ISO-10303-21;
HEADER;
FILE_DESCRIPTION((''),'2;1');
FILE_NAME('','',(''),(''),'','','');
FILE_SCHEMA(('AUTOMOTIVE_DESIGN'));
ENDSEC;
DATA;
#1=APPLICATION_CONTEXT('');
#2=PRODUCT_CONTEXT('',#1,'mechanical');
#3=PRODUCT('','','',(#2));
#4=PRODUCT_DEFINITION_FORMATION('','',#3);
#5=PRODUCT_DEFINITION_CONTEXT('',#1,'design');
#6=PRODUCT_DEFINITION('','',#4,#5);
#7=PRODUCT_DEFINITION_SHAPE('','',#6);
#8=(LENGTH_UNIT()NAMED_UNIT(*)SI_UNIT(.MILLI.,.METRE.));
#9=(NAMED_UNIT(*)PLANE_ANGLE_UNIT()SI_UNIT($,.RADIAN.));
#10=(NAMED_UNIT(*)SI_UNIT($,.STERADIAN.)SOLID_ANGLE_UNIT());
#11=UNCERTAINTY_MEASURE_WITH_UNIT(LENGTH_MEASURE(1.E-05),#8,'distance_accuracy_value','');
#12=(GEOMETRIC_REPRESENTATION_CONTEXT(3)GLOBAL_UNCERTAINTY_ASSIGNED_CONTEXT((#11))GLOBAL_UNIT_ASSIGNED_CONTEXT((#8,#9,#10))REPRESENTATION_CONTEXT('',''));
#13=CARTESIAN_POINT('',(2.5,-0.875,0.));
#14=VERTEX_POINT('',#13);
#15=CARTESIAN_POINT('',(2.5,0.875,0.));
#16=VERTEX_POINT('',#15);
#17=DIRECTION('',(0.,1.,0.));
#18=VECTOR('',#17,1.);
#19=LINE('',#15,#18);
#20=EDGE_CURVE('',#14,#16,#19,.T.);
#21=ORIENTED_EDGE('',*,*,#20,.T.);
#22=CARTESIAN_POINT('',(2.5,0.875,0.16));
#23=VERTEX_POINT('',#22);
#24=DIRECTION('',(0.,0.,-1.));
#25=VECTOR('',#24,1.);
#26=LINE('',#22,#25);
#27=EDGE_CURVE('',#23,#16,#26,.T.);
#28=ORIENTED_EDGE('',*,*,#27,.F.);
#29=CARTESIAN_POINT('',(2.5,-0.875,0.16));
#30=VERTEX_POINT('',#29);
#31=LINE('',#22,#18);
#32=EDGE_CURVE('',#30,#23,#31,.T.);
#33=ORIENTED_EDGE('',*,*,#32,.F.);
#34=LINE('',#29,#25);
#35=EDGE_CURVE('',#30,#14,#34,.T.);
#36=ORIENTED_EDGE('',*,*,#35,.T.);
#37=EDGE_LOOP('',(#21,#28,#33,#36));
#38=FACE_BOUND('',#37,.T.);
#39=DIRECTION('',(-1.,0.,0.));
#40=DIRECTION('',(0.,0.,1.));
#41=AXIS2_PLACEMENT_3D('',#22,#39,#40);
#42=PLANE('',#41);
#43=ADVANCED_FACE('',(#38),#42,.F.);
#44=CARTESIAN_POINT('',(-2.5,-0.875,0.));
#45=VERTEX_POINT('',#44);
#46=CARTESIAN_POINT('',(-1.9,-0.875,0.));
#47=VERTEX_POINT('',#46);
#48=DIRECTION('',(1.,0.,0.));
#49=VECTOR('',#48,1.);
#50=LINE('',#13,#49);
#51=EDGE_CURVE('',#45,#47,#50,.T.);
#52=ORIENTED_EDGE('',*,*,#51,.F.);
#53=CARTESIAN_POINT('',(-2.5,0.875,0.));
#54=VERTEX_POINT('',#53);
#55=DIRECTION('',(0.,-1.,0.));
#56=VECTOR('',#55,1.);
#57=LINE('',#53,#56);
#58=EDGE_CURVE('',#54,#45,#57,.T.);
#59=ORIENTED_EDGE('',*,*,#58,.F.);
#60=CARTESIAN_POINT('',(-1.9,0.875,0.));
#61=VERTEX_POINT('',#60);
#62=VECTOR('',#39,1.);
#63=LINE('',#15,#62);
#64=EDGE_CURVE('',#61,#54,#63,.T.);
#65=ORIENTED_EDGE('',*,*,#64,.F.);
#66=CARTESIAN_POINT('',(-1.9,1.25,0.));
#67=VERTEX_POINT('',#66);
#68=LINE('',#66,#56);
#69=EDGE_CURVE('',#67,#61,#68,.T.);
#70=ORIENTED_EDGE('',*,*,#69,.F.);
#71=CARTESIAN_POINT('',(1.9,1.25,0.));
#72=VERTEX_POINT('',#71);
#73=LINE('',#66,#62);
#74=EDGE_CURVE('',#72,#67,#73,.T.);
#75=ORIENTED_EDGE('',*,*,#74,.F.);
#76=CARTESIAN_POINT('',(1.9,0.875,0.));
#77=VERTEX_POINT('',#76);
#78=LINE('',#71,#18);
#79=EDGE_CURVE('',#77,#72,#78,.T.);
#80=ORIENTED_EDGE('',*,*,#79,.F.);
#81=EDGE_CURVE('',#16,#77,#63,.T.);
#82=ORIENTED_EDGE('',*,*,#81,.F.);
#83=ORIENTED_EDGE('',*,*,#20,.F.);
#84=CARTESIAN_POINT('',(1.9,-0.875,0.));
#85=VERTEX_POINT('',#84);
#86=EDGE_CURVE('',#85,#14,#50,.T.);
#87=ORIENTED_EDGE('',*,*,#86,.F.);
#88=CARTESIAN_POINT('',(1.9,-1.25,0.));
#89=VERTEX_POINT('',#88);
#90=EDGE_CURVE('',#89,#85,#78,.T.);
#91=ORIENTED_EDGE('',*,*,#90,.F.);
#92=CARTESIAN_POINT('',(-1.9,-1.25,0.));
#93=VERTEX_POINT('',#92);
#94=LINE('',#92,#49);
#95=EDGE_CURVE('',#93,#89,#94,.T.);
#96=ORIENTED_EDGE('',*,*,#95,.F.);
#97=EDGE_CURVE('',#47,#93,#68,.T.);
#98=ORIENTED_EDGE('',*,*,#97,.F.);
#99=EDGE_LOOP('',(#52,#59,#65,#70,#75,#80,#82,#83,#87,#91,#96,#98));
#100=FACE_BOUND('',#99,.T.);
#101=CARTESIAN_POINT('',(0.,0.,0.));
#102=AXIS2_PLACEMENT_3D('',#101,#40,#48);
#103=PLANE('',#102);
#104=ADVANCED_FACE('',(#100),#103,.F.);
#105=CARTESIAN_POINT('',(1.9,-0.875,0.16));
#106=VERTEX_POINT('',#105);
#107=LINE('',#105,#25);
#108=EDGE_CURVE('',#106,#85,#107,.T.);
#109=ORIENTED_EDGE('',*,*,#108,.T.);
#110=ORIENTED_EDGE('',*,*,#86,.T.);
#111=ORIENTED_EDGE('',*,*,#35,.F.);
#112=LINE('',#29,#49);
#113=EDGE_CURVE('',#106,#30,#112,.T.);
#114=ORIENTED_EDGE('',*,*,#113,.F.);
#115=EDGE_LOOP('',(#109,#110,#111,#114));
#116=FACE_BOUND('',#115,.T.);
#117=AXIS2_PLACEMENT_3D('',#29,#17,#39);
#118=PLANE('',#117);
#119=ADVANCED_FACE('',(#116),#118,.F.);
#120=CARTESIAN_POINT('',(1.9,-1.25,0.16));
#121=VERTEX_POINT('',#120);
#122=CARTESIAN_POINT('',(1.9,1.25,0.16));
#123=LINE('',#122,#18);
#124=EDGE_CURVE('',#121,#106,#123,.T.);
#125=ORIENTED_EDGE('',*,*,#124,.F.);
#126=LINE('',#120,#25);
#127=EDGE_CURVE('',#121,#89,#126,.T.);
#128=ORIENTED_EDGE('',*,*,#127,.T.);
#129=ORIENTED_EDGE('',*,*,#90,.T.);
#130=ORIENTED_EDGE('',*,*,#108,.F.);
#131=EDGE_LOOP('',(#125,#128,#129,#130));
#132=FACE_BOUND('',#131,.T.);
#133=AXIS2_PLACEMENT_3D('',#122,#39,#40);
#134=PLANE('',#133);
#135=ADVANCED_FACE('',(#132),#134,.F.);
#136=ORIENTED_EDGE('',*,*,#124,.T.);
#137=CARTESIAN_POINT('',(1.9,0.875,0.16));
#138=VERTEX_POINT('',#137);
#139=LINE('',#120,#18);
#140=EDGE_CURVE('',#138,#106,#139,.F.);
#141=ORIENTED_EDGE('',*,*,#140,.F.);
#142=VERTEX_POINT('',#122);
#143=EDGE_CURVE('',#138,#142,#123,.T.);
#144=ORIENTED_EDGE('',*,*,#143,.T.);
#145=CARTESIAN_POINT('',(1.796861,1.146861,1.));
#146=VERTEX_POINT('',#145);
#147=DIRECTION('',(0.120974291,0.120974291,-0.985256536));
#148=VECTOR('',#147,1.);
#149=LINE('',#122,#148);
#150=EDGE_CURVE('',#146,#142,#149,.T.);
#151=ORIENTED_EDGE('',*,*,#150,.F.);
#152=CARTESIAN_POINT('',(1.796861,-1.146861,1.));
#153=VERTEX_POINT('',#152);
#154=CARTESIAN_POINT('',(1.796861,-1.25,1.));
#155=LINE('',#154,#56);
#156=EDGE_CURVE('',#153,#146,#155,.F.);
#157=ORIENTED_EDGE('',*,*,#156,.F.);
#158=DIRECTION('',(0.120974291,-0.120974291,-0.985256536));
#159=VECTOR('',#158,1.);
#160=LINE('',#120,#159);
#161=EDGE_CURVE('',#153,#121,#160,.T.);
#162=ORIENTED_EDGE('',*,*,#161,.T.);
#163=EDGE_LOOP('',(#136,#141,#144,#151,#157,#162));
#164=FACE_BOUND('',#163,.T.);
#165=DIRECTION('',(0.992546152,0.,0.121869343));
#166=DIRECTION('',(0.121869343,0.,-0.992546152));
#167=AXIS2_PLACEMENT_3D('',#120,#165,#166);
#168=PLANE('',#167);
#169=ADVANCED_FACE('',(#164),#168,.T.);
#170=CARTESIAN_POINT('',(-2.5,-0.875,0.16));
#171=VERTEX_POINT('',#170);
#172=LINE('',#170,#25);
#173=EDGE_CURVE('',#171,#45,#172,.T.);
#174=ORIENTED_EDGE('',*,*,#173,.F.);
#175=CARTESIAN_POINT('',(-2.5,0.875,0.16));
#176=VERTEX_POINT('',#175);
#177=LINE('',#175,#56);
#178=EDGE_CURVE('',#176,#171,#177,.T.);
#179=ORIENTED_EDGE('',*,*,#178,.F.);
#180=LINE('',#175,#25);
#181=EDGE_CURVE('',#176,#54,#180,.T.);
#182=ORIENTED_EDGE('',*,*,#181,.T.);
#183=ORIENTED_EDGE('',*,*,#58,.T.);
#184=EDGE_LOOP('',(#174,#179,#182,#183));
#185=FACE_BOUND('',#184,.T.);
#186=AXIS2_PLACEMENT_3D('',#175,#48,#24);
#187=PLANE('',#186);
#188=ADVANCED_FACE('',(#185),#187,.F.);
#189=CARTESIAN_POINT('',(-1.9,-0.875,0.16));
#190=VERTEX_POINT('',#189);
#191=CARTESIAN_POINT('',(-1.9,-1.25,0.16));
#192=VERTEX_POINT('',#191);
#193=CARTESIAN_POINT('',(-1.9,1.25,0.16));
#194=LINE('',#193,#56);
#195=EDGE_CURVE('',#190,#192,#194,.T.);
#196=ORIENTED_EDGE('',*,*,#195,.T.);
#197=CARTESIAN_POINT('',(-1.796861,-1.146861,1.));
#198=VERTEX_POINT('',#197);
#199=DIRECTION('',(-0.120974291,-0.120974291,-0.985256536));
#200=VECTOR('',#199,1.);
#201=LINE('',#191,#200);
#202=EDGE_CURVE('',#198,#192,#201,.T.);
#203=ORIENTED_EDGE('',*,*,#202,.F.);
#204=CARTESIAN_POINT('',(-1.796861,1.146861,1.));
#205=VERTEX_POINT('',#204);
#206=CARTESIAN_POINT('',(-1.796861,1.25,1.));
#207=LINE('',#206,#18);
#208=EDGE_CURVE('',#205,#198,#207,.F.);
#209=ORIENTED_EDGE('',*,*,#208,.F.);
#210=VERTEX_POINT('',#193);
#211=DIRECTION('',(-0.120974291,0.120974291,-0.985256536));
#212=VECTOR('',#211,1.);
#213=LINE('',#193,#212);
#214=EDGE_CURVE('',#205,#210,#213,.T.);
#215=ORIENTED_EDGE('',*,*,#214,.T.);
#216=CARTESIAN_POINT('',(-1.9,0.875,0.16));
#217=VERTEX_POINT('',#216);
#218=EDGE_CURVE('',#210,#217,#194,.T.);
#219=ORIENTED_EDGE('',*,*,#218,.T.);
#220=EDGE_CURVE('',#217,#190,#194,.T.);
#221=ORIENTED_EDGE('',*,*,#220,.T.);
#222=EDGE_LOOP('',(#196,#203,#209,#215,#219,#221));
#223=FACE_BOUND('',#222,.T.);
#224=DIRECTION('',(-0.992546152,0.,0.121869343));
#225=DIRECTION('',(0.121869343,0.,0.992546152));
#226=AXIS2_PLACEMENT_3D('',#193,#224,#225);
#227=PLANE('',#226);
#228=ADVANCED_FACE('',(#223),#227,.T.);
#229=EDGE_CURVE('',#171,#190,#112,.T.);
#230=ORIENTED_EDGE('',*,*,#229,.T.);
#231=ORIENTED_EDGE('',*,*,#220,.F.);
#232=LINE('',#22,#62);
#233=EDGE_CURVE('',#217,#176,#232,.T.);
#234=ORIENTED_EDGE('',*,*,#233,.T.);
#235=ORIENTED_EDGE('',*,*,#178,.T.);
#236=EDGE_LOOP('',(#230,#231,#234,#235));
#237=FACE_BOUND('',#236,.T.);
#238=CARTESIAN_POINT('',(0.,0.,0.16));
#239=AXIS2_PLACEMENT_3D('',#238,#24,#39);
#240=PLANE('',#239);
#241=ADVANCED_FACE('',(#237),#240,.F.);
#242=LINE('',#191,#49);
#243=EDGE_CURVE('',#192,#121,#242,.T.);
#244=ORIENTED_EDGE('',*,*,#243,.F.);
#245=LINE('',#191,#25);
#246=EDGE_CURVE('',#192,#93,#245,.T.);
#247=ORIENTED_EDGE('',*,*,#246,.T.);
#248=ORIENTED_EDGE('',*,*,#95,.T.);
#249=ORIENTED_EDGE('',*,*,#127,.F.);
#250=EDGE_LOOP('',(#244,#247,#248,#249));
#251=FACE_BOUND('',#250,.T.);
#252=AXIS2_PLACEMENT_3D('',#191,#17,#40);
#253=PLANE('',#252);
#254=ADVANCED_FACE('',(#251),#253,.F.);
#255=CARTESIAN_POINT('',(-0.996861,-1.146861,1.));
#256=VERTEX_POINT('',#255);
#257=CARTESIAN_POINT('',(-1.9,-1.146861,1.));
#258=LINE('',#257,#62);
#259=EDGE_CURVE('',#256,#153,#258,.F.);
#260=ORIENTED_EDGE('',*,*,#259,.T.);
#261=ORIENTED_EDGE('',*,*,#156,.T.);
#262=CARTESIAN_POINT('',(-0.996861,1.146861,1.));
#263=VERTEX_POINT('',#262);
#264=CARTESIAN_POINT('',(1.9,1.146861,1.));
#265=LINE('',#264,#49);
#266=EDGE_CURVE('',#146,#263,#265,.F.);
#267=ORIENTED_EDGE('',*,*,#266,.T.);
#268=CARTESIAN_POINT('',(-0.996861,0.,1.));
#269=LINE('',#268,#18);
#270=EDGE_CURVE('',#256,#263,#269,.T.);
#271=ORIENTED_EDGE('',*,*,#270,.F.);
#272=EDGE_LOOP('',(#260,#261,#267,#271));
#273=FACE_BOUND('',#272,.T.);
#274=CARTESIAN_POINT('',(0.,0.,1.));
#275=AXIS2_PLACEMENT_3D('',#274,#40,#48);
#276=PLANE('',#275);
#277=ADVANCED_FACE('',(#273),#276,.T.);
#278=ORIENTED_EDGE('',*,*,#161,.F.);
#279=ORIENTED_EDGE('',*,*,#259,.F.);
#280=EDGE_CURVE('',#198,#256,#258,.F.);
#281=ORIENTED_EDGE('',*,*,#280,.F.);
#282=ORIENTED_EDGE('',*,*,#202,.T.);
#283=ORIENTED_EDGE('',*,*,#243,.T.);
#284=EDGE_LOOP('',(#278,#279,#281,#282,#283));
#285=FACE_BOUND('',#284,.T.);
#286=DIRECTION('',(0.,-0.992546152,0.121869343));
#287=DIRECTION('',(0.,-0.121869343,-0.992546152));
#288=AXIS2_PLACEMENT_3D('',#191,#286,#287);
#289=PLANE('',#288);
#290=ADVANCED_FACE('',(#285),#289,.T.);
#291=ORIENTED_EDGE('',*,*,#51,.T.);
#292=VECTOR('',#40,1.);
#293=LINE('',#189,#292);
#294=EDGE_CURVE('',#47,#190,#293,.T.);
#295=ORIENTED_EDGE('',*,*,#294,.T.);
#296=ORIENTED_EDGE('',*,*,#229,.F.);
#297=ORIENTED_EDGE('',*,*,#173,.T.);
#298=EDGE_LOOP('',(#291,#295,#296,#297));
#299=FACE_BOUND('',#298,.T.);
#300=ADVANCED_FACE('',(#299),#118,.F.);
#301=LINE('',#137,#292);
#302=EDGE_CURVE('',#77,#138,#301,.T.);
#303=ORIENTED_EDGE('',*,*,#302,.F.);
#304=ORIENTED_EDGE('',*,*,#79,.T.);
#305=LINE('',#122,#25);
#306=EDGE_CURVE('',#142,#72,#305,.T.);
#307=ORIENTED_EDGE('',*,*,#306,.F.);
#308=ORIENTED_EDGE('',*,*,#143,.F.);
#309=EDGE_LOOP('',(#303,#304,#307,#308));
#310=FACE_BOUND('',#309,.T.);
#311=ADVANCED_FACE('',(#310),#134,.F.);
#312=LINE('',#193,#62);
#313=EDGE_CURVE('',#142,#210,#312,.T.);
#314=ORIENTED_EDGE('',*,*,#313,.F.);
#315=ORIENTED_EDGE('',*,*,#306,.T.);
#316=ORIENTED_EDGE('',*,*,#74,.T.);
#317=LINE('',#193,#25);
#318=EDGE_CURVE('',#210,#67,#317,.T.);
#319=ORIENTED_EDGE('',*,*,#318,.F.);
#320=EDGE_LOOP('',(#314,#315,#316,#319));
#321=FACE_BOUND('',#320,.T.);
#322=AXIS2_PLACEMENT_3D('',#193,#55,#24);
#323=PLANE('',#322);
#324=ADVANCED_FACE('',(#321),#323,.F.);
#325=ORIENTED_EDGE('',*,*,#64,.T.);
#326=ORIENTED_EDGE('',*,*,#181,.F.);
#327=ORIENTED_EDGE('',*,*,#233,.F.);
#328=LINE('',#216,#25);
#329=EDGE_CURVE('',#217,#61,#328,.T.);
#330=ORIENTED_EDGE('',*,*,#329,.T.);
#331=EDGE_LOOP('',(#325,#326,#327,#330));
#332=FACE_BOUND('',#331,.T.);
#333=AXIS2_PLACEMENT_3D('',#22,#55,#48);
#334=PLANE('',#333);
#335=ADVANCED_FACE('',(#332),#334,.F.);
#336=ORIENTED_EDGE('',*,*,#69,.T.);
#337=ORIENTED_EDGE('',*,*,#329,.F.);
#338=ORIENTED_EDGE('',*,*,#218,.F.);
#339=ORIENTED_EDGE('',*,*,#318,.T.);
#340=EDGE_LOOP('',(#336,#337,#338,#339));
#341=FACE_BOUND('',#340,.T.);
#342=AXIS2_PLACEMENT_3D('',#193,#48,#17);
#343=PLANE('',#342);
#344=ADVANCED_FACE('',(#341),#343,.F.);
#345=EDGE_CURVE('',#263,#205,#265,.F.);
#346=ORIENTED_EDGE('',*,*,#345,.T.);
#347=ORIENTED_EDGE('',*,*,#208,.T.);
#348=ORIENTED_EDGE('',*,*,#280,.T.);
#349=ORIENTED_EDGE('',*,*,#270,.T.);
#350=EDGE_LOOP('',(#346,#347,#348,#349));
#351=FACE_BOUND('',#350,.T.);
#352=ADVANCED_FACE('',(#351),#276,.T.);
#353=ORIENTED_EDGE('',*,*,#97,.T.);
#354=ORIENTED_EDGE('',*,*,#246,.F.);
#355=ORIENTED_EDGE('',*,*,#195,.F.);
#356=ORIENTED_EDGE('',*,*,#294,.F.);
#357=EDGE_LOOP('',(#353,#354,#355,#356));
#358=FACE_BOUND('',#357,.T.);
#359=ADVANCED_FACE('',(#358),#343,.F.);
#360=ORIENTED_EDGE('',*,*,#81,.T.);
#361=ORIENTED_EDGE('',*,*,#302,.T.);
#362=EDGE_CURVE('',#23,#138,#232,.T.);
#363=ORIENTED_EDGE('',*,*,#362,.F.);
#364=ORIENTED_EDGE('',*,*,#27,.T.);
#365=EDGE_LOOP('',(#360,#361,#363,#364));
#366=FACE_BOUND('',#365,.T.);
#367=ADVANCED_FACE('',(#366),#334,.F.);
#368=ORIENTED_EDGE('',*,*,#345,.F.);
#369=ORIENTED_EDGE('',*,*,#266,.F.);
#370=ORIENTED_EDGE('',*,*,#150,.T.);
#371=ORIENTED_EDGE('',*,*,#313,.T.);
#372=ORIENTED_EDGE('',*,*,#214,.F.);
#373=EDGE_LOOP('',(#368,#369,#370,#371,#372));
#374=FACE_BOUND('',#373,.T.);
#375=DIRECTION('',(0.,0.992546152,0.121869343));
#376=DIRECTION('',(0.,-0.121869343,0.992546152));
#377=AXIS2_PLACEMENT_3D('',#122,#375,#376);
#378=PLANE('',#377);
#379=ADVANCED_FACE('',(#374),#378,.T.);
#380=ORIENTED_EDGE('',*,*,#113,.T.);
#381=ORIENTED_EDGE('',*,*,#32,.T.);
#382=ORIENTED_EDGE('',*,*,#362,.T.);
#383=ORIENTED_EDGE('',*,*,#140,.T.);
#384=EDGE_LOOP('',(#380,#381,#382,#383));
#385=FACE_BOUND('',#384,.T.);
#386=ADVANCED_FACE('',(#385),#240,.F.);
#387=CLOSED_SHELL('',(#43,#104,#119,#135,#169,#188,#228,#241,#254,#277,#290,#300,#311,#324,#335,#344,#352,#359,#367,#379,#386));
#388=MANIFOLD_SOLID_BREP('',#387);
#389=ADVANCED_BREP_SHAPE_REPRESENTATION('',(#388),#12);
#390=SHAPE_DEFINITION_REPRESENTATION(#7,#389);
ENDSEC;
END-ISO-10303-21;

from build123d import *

# Parameters (mm, degrees)
ESQUISSE1_W     = 3.8
ESQUISSE1_H     = 2.5
CASE_BASE_DEPTH = 0.16
ESQUISSE2_W     = 3.8
ESQUISSE2_H     = 2.5
CASE_TOP_DEPTH  = 0.84
CASE_TOP_TAPER  = 7
ESQUISSE3_W     = 5
ESQUISSE3_H     = 1.75
PINS_DEPTH      = 0.16


with BuildPart() as part:
    # Esquisse1 → case base (new body)
    with BuildSketch(Plane.XY):
        Rectangle(ESQUISSE1_W, ESQUISSE1_H)
    extrude(amount=CASE_BASE_DEPTH)

    # Esquisse2 → case top (add)
    with BuildSketch(Plane.XY.offset(0.16)):
        Rectangle(ESQUISSE2_W, ESQUISSE2_H)
    extrude(amount=CASE_TOP_DEPTH, taper=CASE_TOP_TAPER)

    # Esquisse3 → pins (add)
    with BuildSketch(Plane.XY):
        Rectangle(ESQUISSE3_W, ESQUISSE3_H)
    extrude(amount=PINS_DEPTH)


solid = part.part
